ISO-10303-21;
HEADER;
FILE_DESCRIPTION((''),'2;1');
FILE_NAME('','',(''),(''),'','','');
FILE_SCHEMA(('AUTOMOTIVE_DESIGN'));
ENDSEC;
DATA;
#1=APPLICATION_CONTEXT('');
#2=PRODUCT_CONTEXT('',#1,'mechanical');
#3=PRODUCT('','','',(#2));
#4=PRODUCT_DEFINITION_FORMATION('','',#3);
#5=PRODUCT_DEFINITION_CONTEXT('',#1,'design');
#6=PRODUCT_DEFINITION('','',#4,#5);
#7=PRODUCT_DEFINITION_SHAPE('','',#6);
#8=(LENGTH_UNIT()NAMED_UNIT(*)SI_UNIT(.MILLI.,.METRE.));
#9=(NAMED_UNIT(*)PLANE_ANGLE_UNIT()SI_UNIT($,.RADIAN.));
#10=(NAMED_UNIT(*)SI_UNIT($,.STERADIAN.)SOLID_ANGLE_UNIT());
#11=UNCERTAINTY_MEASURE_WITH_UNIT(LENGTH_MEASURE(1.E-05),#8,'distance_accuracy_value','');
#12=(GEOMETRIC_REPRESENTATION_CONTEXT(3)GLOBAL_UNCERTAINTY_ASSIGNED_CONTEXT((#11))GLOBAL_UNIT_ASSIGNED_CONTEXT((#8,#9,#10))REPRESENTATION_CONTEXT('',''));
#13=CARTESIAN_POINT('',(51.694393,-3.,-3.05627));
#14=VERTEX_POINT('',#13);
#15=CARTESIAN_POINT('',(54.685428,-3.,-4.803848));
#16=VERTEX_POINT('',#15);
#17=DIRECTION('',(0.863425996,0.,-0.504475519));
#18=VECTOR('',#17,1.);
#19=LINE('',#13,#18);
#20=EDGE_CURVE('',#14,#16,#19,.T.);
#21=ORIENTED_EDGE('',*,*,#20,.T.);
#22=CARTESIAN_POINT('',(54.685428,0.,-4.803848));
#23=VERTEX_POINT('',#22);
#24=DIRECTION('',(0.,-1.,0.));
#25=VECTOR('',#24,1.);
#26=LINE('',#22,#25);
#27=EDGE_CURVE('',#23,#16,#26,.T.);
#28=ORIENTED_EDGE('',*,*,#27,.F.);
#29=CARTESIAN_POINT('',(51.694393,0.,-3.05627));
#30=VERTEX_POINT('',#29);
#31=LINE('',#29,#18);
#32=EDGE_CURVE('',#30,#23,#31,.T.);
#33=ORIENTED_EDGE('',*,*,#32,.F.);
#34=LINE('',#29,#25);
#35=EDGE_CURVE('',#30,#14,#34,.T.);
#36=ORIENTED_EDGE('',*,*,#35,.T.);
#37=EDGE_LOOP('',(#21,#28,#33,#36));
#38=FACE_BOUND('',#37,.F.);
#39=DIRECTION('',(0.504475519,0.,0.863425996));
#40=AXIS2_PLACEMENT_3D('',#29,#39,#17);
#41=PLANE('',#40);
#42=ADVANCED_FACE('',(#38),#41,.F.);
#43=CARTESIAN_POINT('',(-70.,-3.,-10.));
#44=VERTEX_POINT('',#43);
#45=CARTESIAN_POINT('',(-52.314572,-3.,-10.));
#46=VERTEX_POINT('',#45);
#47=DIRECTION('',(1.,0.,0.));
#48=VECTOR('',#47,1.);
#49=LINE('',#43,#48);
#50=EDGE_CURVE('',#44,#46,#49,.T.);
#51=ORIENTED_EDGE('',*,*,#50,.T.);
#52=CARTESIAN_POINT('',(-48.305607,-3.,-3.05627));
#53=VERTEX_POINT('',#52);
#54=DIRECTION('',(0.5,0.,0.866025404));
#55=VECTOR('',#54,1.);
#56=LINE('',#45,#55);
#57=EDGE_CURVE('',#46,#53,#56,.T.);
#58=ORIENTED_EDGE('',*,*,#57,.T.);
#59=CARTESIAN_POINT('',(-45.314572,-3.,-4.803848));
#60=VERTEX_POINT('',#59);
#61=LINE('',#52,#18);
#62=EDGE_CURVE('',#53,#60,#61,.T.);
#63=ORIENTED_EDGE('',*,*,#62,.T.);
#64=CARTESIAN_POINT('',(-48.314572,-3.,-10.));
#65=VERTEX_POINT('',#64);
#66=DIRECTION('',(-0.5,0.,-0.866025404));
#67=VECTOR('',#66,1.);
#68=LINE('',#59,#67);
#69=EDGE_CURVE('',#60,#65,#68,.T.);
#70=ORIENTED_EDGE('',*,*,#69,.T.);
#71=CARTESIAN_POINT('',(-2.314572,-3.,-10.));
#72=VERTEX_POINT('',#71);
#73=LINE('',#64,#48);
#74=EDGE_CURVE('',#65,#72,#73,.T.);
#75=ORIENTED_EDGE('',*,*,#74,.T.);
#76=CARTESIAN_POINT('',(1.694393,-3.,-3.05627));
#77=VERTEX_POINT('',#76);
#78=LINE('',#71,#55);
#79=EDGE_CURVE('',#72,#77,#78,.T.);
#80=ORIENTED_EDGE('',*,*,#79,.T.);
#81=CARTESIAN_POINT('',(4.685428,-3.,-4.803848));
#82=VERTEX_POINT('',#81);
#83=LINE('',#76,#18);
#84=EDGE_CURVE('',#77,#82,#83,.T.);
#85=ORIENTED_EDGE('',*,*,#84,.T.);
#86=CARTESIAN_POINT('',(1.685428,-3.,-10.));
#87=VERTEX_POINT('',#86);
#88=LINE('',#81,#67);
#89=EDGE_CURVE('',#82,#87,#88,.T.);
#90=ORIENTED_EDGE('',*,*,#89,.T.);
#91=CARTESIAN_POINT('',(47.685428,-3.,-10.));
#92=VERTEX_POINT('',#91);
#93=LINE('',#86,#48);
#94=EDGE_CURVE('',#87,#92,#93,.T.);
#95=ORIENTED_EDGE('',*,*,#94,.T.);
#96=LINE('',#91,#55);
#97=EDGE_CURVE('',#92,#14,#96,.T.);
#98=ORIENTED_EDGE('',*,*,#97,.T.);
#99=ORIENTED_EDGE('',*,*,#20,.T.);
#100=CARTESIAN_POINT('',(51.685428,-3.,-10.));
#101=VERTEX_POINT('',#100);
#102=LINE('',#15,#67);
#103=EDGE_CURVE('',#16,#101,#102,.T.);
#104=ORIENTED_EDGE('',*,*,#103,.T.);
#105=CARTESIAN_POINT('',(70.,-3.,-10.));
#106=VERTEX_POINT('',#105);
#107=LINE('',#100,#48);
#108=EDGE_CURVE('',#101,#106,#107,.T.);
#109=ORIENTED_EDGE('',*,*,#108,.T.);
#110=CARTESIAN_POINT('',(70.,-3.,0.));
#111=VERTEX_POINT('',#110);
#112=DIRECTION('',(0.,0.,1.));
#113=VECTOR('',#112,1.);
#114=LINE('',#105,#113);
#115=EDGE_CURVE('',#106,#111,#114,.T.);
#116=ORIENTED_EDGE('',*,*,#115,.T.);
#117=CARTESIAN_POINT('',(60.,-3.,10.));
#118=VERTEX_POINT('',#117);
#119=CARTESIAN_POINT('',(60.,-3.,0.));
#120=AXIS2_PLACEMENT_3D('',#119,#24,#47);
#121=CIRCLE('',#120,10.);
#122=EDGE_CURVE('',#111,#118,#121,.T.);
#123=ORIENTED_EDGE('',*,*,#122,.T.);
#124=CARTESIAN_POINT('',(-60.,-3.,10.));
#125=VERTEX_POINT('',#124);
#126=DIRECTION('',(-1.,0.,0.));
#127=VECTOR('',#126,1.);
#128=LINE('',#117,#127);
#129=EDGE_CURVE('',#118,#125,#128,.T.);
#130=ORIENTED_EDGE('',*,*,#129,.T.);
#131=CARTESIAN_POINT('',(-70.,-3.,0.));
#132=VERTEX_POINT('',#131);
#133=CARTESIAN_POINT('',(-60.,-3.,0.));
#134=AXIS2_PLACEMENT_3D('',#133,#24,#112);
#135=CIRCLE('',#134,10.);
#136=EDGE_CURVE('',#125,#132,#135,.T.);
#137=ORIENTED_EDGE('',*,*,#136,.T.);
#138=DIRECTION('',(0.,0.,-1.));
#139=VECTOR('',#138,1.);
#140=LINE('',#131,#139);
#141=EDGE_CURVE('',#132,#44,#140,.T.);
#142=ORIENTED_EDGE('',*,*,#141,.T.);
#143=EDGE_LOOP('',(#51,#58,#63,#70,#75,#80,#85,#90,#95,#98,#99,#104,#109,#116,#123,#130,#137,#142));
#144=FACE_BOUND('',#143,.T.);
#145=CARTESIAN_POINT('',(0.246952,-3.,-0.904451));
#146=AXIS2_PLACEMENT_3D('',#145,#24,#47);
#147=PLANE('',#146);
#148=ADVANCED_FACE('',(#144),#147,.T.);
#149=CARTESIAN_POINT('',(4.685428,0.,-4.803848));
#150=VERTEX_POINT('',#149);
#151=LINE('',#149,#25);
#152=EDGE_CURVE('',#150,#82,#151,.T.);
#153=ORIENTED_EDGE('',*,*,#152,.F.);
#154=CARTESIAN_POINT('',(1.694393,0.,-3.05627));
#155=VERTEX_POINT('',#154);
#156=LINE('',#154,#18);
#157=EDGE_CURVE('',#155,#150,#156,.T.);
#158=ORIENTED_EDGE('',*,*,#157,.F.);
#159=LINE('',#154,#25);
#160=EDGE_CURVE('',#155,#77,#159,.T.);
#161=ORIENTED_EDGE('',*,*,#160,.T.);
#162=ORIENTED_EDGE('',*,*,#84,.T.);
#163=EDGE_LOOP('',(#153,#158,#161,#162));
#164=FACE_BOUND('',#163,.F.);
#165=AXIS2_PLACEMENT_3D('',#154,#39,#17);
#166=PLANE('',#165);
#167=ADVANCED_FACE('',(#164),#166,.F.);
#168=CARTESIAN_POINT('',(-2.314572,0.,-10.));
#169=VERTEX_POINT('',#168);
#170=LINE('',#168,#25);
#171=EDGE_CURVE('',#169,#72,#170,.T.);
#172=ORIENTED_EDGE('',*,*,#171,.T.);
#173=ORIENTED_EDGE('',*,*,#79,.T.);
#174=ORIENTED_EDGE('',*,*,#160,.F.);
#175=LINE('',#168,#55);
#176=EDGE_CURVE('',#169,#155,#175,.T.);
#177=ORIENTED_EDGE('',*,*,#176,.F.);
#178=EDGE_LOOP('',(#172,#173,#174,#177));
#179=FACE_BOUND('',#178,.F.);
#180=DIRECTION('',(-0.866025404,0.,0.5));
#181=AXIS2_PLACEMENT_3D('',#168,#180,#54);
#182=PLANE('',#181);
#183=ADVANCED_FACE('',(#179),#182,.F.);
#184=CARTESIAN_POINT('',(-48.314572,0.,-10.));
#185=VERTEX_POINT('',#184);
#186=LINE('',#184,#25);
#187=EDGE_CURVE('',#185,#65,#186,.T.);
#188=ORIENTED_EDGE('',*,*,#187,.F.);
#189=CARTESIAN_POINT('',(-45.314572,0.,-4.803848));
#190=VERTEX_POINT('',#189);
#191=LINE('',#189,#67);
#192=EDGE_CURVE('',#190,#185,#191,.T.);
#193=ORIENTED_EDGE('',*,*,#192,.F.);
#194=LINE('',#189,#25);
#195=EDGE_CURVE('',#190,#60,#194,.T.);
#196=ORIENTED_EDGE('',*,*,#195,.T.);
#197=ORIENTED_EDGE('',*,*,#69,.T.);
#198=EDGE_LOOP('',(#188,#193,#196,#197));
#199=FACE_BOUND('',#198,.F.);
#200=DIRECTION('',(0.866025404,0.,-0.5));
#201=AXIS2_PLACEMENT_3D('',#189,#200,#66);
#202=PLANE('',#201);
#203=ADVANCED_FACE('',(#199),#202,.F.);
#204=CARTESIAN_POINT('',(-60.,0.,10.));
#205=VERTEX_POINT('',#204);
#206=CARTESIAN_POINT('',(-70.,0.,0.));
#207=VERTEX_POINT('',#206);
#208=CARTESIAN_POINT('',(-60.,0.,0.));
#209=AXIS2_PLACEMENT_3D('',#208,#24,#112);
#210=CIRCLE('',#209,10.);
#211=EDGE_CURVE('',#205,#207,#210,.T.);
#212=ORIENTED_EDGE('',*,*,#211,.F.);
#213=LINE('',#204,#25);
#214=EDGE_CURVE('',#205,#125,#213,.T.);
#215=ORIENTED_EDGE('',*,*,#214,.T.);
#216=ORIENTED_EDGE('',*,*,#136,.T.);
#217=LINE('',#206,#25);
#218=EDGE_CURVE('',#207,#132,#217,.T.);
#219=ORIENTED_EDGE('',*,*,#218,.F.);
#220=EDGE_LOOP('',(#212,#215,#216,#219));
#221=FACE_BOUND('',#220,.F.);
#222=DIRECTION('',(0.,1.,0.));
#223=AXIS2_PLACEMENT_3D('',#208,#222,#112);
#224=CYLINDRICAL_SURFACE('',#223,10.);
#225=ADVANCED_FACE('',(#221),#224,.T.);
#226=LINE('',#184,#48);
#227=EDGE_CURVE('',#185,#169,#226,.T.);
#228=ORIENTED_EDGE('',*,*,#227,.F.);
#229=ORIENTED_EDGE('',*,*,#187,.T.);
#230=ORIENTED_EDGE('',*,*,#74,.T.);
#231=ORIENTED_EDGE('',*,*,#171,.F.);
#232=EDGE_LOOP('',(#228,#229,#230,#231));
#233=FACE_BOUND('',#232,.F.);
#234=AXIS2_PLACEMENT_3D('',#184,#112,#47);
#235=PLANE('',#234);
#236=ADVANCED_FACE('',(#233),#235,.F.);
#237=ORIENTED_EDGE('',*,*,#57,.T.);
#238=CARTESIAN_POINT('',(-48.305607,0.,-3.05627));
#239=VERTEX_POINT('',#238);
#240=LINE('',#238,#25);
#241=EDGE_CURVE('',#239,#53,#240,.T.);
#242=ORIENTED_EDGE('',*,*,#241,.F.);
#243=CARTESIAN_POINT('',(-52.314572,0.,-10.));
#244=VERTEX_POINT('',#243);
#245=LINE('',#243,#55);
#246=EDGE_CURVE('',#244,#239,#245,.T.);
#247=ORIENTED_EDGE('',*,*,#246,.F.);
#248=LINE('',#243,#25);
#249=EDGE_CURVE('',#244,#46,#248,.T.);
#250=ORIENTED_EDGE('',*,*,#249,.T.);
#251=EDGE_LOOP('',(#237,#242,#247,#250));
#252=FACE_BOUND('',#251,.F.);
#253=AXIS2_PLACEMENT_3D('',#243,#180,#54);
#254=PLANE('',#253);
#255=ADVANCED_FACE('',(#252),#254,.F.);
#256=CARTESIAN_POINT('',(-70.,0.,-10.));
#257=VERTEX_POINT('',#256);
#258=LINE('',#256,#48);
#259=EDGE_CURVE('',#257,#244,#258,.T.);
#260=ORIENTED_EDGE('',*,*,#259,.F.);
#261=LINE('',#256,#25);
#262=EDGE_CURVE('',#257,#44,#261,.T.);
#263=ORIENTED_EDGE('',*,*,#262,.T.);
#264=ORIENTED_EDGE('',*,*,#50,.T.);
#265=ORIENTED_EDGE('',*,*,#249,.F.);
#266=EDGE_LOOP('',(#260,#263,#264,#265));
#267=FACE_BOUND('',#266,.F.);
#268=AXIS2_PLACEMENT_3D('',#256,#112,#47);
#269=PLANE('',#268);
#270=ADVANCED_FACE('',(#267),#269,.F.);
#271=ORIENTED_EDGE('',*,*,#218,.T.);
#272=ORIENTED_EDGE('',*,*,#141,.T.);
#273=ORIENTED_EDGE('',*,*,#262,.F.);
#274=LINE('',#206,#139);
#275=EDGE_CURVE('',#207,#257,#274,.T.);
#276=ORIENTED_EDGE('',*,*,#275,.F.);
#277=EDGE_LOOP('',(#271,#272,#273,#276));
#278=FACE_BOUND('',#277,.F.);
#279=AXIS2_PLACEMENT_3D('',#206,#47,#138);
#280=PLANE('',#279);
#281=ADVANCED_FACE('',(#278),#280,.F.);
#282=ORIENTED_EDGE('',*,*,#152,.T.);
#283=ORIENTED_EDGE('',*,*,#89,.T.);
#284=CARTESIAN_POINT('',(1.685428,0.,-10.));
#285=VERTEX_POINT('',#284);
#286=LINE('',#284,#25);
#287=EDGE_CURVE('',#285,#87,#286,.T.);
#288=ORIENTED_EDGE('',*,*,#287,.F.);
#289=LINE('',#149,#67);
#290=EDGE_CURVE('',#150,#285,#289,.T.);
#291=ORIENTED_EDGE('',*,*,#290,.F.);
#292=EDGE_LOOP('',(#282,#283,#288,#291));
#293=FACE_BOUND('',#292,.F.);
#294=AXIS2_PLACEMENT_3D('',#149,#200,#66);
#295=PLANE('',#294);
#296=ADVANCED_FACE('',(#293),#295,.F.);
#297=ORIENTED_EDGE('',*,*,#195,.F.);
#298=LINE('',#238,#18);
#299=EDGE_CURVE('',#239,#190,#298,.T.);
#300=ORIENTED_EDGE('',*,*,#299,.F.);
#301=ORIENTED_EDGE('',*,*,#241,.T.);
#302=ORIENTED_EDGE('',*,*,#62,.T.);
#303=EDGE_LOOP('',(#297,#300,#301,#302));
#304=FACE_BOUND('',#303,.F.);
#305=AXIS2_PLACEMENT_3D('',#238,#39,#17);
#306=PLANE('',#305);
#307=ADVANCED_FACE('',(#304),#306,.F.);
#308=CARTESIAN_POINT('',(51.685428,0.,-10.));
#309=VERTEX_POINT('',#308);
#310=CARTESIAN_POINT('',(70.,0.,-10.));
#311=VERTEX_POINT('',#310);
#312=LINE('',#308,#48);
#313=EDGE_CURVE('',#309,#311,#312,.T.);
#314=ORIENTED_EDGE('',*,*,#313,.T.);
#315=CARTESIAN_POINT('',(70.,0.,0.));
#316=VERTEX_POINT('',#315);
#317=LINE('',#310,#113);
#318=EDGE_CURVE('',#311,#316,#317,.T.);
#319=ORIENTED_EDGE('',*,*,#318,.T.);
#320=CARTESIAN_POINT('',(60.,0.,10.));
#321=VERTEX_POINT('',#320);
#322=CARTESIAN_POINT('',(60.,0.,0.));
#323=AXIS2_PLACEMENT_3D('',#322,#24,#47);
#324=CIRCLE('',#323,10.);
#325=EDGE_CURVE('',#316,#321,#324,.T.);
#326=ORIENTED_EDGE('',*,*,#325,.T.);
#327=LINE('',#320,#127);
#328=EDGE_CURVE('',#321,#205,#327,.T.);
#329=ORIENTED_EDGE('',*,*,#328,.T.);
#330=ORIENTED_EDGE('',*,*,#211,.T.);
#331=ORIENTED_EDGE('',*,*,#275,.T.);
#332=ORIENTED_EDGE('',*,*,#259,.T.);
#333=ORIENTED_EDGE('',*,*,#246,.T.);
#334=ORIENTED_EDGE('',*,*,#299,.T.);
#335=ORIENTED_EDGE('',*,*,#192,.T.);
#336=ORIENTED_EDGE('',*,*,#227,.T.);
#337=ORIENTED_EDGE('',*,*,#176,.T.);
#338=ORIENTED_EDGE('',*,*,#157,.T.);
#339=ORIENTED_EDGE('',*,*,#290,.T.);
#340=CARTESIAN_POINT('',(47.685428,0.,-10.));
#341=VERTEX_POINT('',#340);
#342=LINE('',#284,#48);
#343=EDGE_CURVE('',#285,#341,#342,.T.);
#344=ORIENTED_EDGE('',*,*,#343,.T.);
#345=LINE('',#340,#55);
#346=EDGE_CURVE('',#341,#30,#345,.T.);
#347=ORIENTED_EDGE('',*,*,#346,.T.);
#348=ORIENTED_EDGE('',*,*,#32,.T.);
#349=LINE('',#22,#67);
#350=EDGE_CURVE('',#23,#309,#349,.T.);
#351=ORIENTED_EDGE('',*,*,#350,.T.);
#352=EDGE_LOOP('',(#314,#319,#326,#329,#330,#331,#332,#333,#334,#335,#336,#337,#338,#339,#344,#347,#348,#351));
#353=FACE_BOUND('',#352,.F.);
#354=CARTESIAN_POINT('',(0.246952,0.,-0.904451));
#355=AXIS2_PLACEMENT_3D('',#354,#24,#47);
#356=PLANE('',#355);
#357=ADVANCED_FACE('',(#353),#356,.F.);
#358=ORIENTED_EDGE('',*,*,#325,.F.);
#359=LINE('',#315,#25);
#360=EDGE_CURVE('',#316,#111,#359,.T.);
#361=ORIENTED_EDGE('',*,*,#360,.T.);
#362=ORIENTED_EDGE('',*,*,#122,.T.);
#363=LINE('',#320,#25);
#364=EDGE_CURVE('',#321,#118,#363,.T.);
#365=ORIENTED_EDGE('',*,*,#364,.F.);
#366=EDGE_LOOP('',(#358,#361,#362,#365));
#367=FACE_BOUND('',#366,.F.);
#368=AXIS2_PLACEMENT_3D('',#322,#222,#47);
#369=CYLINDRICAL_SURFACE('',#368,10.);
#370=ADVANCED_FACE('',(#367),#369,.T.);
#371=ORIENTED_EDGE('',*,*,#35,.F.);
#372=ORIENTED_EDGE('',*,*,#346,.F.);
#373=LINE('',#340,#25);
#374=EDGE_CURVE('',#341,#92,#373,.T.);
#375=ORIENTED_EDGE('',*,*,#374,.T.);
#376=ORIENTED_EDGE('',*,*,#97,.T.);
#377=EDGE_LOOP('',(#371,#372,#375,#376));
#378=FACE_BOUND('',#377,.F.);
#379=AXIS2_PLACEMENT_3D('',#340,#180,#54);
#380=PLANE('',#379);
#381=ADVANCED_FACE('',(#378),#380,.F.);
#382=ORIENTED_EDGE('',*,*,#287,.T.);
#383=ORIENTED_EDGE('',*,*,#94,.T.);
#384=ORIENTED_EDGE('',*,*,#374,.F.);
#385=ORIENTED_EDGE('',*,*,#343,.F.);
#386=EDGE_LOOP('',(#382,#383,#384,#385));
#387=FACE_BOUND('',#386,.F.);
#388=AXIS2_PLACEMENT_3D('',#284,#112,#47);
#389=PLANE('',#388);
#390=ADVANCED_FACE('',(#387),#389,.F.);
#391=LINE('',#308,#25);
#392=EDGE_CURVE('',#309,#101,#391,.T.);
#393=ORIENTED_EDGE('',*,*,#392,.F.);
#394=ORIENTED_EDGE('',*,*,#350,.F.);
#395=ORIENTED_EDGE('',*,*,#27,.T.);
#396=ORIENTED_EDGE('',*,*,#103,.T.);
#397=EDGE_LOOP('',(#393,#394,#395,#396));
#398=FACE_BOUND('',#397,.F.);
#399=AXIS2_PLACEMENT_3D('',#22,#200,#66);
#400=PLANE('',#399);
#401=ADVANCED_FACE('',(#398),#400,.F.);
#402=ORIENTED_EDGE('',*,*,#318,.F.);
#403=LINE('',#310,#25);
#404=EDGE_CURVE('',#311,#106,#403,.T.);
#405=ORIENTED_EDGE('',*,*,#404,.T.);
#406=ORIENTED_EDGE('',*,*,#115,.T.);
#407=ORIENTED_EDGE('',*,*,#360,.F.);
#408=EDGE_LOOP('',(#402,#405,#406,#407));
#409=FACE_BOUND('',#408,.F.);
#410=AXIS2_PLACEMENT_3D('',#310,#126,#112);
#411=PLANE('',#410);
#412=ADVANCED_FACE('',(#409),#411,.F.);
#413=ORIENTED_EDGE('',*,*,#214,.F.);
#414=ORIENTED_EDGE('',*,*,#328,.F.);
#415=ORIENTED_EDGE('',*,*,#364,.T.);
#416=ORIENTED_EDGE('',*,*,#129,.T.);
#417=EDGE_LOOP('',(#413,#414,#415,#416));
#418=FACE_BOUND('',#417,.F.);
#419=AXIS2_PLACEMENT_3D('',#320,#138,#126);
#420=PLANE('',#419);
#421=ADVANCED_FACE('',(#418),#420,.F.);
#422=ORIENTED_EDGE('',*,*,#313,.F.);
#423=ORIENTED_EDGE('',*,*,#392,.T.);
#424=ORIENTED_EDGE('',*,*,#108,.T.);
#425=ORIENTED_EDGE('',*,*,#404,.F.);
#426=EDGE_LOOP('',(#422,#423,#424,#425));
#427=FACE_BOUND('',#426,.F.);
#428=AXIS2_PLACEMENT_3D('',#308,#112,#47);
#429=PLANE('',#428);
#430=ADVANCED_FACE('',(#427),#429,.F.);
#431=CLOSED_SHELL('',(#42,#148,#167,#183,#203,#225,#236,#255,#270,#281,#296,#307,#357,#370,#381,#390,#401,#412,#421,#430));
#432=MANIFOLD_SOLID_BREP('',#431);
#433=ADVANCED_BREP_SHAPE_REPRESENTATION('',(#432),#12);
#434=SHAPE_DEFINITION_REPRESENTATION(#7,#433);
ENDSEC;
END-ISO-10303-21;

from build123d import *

# Parameters (mm, degrees)
F1_DEPTH = 3


with BuildPart() as f1:
    # F0 (on Front) → F1 (new body)
    with BuildSketch(Plane.XZ):
        with BuildLine():
            Line((51.6854279637, -10), (70, -10))
            Line((70, -10), (70, 0))
            ThreePointArc((70, 0), (67.0710678119, 7.0710678119), (60, 10))
            Line((60, 10), (-60, 10))
            ThreePointArc((-60, 10), (-67.0710678119, 7.0710678119), (-70, 0))
            Line((-70, 0), (-70, -10))
            Line((-70, -10), (-52.3145720363, -10))
            Line((-52.3145720363, -10), (-48.3056074854, -3.0562697122))
            Line((-48.3056074854, -3.0562697122), (-45.3145720363, -4.8038475773))
            Line((-45.3145720363, -4.8038475773), (-48.3145720363, -10))
            Line((-48.3145720363, -10), (-2.3145720363, -10))
            Line((-2.3145720363, -10), (1.6943925146, -3.0562697122))
            Line((1.6943925146, -3.0562697122), (4.6854279637, -4.8038475773))
            Line((4.6854279637, -4.8038475773), (1.6854279637, -10))
            Line((1.6854279637, -10), (47.6854279637, -10))
            Line((47.6854279637, -10), (51.6943925146, -3.0562697122))
            Line((51.6943925146, -3.0562697122), (54.6854279637, -4.8038475773))
            Line((54.6854279637, -4.8038475773), (51.6854279637, -10))
        make_face()
    extrude(amount=F1_DEPTH)


solid = f1.part
